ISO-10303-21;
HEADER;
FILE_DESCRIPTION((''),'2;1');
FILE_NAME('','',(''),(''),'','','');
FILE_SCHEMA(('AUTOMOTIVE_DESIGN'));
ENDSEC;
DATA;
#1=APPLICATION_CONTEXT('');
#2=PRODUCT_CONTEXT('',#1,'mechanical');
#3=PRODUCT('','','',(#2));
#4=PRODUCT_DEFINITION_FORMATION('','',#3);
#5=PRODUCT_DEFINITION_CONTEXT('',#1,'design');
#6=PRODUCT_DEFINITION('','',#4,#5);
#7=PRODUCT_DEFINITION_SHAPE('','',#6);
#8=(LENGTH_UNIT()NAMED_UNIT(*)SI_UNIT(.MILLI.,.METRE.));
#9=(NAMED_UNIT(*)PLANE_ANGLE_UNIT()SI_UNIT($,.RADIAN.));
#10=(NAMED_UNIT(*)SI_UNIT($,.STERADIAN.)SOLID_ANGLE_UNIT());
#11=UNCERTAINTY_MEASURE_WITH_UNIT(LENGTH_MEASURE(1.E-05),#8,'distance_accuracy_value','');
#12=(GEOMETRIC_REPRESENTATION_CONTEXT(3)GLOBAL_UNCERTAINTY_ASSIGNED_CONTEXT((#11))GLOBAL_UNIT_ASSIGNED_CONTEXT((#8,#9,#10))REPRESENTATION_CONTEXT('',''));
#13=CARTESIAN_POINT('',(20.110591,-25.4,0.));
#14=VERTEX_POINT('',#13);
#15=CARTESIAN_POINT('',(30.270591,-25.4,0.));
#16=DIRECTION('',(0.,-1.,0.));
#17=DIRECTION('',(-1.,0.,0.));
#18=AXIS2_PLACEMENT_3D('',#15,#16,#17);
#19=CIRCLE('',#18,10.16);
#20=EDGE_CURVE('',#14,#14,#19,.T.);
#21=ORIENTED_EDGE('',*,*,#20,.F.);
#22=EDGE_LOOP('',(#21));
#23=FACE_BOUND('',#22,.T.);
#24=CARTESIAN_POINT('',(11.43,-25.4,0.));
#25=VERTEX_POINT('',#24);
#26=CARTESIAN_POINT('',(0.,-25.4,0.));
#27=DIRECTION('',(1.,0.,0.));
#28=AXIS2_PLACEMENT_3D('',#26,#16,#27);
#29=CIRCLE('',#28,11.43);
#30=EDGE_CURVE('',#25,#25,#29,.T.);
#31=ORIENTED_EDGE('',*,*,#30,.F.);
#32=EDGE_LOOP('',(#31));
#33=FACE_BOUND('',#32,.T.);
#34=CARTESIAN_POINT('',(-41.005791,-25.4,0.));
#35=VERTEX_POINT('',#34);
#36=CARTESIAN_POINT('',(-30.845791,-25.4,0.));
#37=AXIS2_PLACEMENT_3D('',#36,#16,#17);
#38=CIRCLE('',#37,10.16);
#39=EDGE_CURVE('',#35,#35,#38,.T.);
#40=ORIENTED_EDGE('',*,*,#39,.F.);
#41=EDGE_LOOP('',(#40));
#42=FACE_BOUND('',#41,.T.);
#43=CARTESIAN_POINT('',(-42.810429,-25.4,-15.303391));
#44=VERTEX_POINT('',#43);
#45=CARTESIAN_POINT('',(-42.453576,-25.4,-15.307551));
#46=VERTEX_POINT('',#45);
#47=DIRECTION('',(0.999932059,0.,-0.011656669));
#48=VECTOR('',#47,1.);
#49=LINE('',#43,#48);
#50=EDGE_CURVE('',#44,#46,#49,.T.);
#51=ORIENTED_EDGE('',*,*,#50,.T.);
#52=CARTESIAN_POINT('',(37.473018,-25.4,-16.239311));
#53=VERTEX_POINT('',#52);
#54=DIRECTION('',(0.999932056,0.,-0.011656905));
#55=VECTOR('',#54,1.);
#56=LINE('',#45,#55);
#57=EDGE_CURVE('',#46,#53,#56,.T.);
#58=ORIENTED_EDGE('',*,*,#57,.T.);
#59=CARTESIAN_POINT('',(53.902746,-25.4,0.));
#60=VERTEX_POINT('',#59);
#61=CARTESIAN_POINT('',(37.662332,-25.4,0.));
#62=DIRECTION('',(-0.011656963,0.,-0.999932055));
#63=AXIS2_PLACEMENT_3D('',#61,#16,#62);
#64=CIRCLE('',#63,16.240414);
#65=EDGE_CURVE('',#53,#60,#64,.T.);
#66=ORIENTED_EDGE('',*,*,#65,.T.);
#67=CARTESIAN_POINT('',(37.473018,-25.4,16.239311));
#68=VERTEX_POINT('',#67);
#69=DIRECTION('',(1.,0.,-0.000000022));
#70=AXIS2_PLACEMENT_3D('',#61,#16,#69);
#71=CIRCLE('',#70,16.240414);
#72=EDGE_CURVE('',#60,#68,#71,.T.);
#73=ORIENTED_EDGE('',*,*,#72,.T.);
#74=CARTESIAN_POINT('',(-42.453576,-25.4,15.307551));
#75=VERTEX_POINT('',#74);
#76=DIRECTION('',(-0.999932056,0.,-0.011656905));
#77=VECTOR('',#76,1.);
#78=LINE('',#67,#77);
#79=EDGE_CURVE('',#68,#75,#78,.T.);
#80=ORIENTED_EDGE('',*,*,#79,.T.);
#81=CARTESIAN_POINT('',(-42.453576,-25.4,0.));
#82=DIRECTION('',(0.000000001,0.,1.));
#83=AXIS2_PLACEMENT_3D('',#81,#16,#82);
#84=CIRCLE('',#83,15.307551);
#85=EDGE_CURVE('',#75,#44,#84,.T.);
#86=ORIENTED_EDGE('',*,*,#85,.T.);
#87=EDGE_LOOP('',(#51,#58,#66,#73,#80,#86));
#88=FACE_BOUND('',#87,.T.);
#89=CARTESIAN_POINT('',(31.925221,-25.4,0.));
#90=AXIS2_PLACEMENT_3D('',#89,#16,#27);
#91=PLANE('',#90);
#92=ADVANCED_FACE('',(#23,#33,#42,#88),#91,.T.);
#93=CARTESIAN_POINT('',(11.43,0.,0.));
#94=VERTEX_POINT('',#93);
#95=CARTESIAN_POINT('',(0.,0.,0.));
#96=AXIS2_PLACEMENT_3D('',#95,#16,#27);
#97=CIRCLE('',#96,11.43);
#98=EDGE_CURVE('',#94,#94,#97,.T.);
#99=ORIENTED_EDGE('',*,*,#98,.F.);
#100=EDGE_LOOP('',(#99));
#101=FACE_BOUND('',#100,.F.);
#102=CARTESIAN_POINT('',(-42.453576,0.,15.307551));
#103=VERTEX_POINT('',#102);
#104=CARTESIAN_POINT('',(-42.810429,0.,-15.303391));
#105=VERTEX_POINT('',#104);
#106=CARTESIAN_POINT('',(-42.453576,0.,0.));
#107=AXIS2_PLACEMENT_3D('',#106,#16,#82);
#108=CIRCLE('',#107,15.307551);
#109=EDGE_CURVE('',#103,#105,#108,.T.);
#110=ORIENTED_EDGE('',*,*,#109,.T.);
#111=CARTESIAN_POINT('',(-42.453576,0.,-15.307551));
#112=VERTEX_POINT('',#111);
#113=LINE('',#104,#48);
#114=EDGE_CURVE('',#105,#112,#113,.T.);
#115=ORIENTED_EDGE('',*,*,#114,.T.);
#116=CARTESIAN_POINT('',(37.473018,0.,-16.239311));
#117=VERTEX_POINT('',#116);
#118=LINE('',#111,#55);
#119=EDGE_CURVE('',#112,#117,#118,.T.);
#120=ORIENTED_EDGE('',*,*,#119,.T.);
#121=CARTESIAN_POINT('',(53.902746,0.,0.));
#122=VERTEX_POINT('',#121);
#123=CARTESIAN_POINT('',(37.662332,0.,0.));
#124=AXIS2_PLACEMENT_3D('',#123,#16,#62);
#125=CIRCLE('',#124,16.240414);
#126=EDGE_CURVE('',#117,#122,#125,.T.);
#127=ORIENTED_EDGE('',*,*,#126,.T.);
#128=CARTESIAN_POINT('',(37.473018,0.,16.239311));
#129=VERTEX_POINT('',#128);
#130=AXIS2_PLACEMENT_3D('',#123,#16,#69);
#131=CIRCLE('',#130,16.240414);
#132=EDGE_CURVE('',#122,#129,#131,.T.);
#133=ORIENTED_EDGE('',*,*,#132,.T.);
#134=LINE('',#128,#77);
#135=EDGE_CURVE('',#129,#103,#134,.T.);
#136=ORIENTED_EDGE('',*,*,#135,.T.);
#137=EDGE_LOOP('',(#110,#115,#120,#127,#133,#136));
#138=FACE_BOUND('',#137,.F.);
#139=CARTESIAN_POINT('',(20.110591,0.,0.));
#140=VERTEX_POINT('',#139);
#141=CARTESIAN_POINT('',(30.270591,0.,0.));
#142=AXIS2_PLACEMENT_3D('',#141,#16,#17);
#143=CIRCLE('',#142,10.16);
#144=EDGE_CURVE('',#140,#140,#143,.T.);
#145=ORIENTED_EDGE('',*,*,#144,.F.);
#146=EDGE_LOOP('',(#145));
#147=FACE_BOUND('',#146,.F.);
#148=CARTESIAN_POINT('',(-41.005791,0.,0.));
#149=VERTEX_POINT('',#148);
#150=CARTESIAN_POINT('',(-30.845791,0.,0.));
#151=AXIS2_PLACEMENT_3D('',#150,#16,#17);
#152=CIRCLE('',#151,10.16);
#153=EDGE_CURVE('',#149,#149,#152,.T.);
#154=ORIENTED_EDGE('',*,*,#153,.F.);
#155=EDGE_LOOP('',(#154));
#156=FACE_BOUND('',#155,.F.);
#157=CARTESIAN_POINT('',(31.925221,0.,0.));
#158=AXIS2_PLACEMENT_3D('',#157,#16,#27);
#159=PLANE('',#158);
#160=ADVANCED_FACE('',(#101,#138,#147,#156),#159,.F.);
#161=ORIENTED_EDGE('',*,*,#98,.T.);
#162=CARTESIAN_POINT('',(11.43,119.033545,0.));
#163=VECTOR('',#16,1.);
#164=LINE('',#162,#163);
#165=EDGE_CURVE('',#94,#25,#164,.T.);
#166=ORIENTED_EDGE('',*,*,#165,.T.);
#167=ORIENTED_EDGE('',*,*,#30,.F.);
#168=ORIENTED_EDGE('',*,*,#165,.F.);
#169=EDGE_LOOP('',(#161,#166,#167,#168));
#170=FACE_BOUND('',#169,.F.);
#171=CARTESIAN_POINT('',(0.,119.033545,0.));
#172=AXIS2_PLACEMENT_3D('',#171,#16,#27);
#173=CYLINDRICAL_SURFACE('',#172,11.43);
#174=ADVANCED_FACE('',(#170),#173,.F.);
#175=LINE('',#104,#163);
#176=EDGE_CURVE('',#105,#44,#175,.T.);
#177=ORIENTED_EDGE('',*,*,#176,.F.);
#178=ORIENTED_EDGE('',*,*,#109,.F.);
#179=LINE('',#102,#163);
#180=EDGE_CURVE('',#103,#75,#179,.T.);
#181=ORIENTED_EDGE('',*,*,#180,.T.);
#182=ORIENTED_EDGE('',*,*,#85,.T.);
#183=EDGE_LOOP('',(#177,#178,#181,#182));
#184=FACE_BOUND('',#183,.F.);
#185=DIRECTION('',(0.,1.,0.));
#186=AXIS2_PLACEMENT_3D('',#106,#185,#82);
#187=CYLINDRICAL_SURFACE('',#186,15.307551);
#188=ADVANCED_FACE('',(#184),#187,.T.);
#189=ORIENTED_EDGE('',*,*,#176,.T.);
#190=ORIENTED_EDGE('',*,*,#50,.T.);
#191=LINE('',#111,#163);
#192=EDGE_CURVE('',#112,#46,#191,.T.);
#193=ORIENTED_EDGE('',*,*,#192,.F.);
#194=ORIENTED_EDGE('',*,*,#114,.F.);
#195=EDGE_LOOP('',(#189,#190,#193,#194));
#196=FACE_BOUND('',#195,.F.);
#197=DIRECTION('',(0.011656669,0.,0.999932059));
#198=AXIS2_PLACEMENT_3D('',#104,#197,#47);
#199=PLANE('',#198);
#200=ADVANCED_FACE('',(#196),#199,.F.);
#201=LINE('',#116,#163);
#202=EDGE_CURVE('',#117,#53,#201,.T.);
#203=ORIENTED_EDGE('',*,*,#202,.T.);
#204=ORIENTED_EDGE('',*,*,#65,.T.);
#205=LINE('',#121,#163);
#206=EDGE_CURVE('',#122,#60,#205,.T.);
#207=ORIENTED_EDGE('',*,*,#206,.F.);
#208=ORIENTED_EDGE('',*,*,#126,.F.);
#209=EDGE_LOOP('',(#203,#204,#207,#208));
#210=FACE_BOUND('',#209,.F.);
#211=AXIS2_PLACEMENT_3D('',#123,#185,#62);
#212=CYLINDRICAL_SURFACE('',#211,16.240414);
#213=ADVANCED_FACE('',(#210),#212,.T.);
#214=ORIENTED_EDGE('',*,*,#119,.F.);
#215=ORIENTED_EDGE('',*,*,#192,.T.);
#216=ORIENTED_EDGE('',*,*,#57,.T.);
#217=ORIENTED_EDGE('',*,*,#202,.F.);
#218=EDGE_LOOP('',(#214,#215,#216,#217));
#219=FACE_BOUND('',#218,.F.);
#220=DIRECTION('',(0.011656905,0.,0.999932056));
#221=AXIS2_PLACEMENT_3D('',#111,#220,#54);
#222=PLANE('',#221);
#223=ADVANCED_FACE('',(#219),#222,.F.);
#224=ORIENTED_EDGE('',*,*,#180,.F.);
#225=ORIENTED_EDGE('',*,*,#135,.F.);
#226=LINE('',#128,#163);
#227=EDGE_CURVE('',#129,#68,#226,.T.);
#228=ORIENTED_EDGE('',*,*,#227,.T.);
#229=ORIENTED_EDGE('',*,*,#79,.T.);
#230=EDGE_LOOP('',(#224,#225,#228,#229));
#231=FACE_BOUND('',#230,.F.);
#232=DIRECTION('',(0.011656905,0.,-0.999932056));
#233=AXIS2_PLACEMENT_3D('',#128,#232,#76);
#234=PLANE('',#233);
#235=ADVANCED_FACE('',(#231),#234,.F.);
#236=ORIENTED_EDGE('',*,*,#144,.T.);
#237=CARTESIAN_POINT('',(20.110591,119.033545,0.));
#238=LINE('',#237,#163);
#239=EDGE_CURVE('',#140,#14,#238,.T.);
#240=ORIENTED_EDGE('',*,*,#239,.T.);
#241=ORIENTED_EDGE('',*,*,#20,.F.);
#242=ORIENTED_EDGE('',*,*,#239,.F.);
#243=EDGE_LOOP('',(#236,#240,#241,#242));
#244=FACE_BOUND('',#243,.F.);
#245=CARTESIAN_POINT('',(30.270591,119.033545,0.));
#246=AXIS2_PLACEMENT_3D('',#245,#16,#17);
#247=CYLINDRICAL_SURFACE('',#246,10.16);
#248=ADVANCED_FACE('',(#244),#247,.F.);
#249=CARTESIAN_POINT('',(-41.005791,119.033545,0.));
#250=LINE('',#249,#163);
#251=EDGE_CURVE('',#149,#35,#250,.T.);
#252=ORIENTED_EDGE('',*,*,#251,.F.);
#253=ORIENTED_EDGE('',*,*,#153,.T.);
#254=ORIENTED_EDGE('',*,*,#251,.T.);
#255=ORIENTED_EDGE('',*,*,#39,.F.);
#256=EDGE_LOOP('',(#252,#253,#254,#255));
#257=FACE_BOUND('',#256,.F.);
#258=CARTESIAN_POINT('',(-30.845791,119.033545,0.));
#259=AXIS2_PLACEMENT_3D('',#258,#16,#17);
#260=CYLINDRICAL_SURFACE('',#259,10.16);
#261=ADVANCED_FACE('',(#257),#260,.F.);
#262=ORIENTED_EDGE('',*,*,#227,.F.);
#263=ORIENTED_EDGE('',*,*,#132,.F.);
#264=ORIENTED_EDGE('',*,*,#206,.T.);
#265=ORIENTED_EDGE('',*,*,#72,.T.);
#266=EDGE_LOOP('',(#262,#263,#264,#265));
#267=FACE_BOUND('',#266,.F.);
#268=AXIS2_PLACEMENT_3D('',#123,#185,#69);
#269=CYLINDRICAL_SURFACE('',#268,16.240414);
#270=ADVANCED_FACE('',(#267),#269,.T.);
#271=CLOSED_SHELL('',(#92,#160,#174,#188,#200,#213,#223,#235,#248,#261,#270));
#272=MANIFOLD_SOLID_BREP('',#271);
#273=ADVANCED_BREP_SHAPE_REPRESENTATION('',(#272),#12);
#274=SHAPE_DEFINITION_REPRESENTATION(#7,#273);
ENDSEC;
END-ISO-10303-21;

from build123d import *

# Parameters (mm, degrees)
F1_DEPTH = 25.4
F3_D     = 20.32
F5_D     = 22.86


with BuildPart() as f1:
    # F0 (on Front) → F1 (new body)
    with BuildSketch(Plane.XZ):
        with BuildLine():
            Line((37.473018, -16.239311), (37.473018, 16.239311))
            ThreePointArc((37.473018, 16.239311), (21.421916, 0), (37.473018, -16.239311))
        make_face()
        with BuildLine():
            ThreePointArc((53.902746, 0), (49.07891, 11.550446), (37.473018, 16.239311))
            Line((37.473018, 16.239311), (37.473018, -16.239311))
            ThreePointArc((37.473018, -16.239311), (49.07891, -11.550446), (53.902746, 0))
        make_face()
        with BuildLine():
            ThreePointArc((-42.453576, 15.307551), (-31.629503, 10.824073), (-27.146025, 0))
            ThreePointArc((-27.146025, 0), (-31.629503, -10.824073), (-42.453576, -15.307551))
            Line((-42.453576, -15.307551), (37.473018, -16.239311))
            ThreePointArc((37.473018, -16.239311), (21.421916, 0), (37.473018, 16.239311))
            Line((37.473018, 16.239311), (-42.453576, 15.307551))
        make_face()
        with BuildLine():
            ThreePointArc((-42.453576, -15.307551), (-31.629503, -10.824073), (-27.146025, 0))
            ThreePointArc((-27.146025, 0), (-31.629503, 10.824073), (-42.453576, 15.307551))
            Line((-42.453576, 15.307551), (-42.810429, -15.303391))
            Line((-42.810429, -15.303391), (-42.453576, -15.307551))
        make_face()
        with BuildLine():
            Line((-42.810429, -15.303391), (-42.453576, 15.307551))
            ThreePointArc((-42.453576, 15.307551), (-57.760087, 0.178439), (-42.810429, -15.303391))
        make_face()
    extrude(amount=F1_DEPTH)

    # F3 (through all)
    with Locations(Plane(origin=(0, 0, 0), x_dir=(1, 0, 0), z_dir=(0, 1, 0))):
        with Locations((-30.845791, 0), (30.270591, 0)):
            Hole(F3_D / 2)

    # F5 (through all)
    with Locations(Plane(origin=(0, 0, 0), x_dir=(-1, 0, 0), z_dir=(0, 1, 0))):
        with Locations((0, 0)):
            Hole(F5_D / 2)


solid = f1.part
